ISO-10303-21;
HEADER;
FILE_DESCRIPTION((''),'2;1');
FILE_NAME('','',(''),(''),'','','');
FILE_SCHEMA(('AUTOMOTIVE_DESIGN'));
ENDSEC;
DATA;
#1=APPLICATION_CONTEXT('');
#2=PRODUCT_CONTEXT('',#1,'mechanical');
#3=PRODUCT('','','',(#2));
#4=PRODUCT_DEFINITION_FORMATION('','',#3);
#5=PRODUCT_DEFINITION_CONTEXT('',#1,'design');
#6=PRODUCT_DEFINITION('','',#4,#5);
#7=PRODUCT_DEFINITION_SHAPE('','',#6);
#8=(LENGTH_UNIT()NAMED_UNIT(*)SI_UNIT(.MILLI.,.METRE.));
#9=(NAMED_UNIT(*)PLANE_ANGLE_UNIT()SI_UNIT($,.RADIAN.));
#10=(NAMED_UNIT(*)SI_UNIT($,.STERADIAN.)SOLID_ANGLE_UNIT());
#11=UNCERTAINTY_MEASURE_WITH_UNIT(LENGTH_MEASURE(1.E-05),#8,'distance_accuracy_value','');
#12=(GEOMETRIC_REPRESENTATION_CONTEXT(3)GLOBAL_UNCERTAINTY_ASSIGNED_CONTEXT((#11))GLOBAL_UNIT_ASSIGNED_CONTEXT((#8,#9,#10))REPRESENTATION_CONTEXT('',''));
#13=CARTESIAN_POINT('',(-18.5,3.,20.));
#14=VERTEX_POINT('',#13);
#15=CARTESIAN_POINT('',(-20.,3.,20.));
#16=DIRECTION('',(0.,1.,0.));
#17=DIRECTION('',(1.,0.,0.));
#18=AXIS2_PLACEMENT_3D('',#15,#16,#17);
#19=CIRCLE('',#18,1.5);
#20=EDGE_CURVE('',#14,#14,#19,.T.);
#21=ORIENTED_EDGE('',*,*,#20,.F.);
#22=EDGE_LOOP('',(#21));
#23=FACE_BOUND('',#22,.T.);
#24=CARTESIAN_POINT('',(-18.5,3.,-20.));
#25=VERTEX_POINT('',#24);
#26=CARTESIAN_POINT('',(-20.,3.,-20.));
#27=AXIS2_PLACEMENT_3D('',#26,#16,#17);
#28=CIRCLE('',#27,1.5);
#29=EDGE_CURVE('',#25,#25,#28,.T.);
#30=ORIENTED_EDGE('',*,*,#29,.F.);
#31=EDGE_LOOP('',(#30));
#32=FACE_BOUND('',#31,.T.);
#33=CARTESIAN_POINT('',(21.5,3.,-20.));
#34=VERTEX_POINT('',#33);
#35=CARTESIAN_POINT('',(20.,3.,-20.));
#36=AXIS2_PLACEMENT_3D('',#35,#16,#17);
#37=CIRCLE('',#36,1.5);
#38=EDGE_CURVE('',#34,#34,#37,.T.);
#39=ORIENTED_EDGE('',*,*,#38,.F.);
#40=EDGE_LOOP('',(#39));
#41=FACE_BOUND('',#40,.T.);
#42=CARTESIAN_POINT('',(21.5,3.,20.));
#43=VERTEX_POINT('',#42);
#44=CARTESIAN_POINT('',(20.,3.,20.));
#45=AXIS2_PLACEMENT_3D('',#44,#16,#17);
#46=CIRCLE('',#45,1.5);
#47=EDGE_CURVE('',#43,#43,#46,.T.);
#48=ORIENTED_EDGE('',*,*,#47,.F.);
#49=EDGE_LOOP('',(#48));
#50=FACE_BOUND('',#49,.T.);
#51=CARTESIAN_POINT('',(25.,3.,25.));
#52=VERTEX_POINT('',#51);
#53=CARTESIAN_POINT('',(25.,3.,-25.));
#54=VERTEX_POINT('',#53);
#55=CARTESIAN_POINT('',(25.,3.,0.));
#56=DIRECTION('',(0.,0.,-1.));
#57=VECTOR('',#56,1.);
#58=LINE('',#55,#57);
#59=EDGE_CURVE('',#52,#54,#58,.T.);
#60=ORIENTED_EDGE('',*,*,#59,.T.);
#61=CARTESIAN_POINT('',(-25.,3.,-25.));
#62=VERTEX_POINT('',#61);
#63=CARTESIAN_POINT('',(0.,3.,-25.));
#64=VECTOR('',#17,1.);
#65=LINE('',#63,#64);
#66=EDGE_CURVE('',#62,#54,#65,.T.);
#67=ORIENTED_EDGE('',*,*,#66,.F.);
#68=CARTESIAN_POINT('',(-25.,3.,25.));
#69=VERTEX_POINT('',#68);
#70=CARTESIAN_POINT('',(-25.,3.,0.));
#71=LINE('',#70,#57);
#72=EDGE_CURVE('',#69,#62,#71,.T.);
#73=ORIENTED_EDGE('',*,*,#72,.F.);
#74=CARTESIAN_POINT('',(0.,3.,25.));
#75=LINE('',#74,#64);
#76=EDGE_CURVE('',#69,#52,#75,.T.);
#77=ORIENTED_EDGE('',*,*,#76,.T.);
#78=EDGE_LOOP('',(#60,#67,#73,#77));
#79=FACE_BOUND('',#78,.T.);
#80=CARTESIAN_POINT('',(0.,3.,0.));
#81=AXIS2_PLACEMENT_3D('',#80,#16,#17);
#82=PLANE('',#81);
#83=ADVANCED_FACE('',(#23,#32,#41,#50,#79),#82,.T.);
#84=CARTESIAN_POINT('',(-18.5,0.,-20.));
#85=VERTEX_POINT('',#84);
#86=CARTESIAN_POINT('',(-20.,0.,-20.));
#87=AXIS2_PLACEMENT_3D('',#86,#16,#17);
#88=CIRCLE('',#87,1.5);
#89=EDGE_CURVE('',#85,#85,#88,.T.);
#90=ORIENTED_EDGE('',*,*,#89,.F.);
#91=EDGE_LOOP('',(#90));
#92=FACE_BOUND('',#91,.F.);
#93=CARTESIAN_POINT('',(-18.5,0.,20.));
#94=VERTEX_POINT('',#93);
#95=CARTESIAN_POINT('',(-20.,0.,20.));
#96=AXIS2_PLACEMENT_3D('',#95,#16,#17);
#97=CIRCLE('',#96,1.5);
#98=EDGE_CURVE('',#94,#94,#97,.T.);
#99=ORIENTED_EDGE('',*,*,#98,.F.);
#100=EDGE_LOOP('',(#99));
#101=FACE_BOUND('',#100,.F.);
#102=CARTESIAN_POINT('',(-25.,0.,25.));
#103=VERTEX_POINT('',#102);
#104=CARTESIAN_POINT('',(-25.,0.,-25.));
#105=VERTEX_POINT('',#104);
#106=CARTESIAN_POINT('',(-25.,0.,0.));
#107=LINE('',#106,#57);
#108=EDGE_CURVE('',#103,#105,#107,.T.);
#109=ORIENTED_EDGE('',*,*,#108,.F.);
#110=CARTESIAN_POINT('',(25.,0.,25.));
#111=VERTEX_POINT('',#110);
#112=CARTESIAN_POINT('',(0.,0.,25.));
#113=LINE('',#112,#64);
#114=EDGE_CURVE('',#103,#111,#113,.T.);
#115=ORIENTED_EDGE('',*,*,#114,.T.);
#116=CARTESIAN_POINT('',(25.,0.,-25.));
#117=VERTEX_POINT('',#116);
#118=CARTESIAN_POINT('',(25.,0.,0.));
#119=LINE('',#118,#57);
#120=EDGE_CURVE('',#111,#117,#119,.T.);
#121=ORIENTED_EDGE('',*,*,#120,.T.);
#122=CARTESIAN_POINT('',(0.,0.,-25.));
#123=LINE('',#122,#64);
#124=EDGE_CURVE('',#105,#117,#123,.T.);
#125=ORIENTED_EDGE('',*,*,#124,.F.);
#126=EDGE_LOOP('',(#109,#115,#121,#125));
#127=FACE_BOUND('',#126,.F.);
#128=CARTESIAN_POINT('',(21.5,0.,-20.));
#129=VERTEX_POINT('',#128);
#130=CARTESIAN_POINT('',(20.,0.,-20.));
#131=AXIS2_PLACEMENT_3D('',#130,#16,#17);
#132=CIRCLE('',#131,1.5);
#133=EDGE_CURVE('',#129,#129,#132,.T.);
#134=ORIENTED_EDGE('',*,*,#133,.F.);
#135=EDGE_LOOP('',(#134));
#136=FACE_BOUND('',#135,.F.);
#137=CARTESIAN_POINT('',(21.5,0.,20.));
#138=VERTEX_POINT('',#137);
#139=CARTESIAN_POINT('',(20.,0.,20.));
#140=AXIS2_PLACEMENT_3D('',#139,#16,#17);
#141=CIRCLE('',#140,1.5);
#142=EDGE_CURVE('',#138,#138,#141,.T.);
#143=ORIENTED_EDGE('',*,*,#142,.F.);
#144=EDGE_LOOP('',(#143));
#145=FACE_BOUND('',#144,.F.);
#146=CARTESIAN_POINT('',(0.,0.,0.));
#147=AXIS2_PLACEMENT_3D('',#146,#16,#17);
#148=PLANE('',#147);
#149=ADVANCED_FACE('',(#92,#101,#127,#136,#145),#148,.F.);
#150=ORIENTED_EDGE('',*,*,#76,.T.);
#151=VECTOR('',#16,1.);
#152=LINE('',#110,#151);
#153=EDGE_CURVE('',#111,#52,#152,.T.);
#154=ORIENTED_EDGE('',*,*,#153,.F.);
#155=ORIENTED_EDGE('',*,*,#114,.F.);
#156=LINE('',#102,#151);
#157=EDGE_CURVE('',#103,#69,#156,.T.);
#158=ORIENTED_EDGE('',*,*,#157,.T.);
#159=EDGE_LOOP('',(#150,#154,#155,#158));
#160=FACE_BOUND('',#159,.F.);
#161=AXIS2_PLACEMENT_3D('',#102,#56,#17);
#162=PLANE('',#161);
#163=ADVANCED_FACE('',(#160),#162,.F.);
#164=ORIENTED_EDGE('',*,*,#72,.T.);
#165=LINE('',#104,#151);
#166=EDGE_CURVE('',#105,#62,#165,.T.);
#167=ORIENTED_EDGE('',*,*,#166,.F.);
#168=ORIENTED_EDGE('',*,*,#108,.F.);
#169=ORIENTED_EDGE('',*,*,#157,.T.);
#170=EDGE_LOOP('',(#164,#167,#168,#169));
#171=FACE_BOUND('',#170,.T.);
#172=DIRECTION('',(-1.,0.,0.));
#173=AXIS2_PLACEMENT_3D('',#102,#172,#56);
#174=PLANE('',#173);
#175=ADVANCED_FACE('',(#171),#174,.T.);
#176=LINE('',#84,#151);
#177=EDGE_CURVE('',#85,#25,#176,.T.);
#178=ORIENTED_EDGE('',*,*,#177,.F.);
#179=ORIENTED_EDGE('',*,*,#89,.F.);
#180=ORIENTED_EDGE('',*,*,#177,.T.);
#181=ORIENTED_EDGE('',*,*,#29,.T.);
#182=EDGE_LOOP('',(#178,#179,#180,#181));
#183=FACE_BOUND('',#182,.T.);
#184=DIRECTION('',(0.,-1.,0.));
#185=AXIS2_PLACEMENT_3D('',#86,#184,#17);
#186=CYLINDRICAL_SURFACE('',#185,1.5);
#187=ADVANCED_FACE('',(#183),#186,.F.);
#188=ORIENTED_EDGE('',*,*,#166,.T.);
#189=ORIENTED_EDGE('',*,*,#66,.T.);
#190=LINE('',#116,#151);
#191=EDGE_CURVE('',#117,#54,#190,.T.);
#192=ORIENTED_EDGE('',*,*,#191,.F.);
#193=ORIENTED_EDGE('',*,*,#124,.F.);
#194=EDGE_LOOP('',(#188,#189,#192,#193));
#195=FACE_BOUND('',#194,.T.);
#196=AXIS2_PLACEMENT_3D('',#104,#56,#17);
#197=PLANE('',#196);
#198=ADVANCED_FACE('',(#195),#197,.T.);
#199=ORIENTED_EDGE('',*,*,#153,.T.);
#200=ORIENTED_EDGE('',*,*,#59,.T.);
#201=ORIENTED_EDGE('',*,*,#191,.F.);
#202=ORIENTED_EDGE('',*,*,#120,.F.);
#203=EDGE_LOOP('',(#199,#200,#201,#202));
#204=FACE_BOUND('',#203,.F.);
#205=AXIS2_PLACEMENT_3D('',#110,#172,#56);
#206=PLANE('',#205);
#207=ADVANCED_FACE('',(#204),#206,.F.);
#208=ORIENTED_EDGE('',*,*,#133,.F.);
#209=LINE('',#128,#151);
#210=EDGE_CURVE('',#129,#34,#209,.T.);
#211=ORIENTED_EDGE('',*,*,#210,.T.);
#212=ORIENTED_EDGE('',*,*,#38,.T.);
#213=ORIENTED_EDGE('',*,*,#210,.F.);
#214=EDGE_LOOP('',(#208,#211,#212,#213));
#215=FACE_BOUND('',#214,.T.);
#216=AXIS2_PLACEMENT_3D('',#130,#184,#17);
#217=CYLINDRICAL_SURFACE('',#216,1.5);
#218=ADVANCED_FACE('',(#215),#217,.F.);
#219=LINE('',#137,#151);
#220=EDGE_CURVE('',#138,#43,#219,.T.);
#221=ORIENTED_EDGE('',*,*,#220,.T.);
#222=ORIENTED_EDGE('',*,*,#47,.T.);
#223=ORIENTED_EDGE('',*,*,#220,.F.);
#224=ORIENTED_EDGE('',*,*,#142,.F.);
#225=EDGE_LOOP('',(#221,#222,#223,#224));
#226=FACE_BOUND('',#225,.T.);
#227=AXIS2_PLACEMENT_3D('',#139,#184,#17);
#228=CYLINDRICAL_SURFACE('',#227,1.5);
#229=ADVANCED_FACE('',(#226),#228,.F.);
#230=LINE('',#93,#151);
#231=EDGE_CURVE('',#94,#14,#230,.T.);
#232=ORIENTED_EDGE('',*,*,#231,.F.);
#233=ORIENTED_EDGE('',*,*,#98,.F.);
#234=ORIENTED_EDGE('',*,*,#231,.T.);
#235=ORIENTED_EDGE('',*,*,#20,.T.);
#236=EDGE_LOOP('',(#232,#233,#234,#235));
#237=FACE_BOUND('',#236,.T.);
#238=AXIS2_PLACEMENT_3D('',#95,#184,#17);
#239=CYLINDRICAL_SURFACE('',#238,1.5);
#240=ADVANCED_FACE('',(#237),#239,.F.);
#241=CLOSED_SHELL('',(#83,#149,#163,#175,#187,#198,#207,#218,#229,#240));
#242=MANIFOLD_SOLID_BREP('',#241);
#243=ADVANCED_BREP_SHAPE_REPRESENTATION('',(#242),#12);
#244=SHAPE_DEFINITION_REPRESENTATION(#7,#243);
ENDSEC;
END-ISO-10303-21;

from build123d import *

# Parameters (mm, degrees)
SKETCH1_W           = 50
SKETCH1_H           = 50
SKETCH1_R           = 1.5
BOSS_EXTRUDE1_DEPTH = 3


with BuildPart() as part:
    # Sketch1 → Boss-Extrude1 (new body)
    with BuildSketch(Plane(origin=(0, 0, 0), x_dir=(1, 0, 0), z_dir=(0, 1, 0))):
        Rectangle(SKETCH1_W, SKETCH1_H)
        with Locations((20, 20)):
            Circle(SKETCH1_R, mode=Mode.SUBTRACT)
        with Locations((-20, 20)):
            Circle(SKETCH1_R, mode=Mode.SUBTRACT)
        with Locations((20, -20)):
            Circle(SKETCH1_R, mode=Mode.SUBTRACT)
        with Locations((-20, -20)):
            Circle(SKETCH1_R, mode=Mode.SUBTRACT)
    extrude(amount=BOSS_EXTRUDE1_DEPTH)


solid = part.part
